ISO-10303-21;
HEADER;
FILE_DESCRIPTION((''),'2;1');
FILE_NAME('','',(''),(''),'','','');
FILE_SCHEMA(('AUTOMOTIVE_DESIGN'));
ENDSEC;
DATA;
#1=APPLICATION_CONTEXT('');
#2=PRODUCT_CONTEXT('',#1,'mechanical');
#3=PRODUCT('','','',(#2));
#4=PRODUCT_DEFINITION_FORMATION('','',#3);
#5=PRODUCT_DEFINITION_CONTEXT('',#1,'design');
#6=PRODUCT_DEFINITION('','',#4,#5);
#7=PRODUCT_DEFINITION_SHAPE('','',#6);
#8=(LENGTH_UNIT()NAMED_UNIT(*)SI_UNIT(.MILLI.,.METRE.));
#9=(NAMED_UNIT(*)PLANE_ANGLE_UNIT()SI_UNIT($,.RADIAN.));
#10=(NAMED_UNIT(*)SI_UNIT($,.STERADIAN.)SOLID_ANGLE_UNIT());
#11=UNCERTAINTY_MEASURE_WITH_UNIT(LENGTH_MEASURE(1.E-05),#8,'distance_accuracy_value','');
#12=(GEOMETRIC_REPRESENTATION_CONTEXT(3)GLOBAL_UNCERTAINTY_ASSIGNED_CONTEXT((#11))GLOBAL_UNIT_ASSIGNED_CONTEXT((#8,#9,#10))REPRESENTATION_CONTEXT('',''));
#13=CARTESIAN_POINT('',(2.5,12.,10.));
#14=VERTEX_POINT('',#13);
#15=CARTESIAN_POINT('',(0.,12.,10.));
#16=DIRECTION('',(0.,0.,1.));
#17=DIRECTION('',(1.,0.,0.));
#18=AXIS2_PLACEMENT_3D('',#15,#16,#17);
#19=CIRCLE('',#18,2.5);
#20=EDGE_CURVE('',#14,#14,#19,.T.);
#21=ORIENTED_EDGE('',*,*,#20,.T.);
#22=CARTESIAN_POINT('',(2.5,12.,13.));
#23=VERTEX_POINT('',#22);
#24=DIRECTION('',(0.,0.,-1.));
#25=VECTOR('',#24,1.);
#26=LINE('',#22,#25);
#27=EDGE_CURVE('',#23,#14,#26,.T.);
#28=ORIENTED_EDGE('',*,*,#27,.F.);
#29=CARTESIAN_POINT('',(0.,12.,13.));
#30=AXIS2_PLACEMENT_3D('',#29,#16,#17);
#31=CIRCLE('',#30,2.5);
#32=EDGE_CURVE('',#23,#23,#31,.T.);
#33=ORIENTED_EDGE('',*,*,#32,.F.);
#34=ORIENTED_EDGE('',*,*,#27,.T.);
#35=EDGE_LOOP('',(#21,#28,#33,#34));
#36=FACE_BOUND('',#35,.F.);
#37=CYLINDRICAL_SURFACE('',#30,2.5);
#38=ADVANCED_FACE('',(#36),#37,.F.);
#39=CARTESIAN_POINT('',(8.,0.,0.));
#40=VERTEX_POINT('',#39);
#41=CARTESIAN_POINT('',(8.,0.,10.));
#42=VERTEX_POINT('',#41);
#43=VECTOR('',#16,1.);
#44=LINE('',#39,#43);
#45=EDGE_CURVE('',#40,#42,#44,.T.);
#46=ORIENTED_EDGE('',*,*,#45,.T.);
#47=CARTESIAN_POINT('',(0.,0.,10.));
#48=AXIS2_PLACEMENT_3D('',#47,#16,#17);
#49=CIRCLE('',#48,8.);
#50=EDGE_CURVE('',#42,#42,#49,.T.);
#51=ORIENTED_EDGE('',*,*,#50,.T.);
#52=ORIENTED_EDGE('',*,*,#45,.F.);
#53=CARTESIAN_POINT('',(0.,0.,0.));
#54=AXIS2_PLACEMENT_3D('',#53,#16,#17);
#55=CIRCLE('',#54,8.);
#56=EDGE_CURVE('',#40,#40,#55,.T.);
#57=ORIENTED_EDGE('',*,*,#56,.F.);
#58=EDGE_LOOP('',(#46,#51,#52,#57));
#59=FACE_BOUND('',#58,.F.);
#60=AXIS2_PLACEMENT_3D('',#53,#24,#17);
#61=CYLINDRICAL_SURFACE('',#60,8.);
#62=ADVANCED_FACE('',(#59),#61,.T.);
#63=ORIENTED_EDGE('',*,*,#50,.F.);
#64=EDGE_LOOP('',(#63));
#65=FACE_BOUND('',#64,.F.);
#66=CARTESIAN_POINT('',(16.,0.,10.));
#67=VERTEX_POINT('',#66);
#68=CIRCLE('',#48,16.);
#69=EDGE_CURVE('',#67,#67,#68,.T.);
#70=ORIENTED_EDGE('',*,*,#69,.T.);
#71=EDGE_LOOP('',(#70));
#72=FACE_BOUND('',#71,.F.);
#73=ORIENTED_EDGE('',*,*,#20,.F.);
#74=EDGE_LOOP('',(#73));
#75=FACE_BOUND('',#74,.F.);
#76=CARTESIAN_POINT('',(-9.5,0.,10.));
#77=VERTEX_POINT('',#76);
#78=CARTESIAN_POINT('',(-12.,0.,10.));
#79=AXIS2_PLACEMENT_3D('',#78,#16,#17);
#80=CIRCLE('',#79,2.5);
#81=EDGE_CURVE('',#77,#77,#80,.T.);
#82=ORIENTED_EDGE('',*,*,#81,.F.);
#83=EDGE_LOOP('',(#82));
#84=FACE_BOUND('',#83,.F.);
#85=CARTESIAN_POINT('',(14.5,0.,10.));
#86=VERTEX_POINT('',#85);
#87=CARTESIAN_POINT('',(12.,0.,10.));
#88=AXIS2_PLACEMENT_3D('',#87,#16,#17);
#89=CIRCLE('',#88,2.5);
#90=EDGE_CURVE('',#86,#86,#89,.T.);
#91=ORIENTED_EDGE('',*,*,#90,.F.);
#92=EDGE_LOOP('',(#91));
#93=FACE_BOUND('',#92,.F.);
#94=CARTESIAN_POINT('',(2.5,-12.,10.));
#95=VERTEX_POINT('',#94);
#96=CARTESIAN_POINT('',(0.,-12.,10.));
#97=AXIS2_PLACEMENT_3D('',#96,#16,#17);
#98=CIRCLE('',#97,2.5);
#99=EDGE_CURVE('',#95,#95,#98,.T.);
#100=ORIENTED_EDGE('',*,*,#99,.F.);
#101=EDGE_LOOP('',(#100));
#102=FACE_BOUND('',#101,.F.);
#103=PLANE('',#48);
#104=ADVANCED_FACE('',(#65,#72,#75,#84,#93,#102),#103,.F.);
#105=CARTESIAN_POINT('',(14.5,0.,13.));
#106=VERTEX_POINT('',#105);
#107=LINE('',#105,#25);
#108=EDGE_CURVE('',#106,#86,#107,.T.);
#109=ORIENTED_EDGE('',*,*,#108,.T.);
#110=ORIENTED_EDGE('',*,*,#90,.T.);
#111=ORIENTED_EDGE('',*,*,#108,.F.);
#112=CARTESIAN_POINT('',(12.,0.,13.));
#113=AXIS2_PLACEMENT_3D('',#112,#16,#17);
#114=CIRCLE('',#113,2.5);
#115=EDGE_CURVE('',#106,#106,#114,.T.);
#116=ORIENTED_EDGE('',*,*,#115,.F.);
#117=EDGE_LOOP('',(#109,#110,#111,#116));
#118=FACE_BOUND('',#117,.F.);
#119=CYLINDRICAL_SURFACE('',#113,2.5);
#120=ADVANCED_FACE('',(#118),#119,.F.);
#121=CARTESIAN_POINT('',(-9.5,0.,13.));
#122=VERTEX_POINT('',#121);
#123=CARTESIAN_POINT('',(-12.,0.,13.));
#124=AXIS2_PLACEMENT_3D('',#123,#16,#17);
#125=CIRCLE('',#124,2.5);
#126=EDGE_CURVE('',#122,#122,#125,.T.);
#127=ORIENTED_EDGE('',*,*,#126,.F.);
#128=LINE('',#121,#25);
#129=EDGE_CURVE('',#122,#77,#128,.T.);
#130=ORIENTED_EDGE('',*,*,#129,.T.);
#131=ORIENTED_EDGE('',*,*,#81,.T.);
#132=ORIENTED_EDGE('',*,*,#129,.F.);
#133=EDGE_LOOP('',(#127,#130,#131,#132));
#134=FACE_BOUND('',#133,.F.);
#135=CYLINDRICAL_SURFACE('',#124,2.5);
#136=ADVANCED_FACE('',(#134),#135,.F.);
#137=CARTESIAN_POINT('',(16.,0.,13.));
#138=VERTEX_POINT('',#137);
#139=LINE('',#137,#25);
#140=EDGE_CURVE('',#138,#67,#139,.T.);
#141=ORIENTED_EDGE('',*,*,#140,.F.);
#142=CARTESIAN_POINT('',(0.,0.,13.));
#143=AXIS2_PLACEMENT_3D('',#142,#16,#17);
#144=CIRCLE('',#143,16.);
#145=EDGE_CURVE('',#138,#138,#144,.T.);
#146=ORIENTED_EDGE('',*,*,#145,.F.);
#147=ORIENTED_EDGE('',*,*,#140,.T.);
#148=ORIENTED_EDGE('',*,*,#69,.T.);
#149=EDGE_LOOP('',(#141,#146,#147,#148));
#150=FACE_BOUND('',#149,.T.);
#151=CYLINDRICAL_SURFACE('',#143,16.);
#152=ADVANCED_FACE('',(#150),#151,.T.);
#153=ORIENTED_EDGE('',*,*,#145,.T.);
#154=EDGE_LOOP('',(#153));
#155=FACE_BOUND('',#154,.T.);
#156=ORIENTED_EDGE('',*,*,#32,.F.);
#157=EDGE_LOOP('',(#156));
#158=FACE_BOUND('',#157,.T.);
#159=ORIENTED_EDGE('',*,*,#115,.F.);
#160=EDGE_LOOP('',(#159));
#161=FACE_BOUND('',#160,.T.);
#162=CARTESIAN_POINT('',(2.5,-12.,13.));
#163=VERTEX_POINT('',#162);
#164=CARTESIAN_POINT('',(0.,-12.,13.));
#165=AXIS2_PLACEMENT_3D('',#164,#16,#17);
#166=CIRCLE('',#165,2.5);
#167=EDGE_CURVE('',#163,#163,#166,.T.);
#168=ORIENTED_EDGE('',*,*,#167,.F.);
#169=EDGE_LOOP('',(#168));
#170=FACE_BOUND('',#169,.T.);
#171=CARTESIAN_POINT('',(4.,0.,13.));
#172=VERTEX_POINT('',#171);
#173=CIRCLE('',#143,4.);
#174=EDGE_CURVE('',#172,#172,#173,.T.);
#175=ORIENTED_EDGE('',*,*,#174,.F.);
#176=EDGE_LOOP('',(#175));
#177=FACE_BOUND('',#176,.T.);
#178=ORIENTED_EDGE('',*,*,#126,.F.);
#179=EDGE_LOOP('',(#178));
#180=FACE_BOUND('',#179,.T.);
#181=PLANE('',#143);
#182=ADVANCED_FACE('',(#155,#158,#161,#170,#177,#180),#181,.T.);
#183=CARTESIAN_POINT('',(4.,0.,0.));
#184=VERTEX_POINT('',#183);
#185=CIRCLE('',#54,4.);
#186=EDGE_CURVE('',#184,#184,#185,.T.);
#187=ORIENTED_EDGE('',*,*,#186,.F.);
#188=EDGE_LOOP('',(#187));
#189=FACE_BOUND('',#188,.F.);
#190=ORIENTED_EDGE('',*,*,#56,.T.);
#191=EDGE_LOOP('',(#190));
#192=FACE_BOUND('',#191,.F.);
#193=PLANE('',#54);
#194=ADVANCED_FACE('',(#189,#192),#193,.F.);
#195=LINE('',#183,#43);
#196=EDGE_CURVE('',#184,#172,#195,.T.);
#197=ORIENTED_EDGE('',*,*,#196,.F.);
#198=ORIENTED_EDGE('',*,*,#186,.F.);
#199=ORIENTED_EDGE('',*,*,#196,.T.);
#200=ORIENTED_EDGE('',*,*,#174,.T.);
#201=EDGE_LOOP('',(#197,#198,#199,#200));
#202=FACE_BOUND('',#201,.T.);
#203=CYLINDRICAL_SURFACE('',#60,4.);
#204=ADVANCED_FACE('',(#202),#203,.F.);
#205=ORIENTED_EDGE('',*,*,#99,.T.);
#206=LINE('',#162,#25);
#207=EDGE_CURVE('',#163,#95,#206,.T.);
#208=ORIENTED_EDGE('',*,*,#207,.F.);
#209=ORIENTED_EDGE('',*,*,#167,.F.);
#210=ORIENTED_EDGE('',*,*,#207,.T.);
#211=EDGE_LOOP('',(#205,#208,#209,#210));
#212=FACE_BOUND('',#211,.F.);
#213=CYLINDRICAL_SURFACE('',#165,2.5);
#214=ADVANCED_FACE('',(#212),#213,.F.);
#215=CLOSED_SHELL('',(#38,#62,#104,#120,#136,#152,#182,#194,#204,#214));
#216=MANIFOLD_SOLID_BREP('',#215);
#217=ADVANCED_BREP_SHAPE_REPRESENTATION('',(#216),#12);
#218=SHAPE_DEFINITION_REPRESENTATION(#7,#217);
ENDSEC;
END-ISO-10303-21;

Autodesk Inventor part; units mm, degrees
ref_plane "YZ Plane" through (0, 0, 0) normal (1, 0, 0) x (0, 1, 0)
ref_plane "XZ Plane" through (0, 0, 0) normal (0, 1, 0) x (-1, 0, 0)
ref_plane "XY Plane" through (0, 0, 0) normal (0, 0, 1) x (1, 0, 0)
sketch "Sketch1" plane through (0, 0, 0) normal (0, 0, 1) x (1, 0, 0)
  circle A0 centre (0, 0) radius 4
  circle A1 centre (0, 0) radius 8
  dimension "d0" = 8
  dimension "d1" = 16
extrude "Extrusion1" add sketch "Sketch1" along normal blind 13
sketch "Sketch2" plane through (0, 0, 13) normal (0, 0, 1) x (1, 0, 0)
  circle A0 centre (0, 0) radius 16
  circle A1 centre (0, 0) radius 8 projected
  dimension "d4" = 32
extrude "Extrusion2" add sketch "Sketch2" against normal blind 3
sketch "Sketch3" plane through (0, 0, 13) normal (0, 0, 1) x (1, 0, 0)
  circle A0 centre (12, 0) radius 2.5
  circle A1 centre (0, 12) radius 2.5
  circle A2 centre (-12, 0) radius 2.5
  circle A3 centre (0, -12) radius 2.5
  point P0 (0, 0)
  dimension "d7" = 5
  dimension "d8" = 12
  dimension "d11" = 360
extrude "Extrusion3" cut sketch "Sketch3" against normal through all
properties part number "8mm Mounting Hub" material "Steel, Mild"
